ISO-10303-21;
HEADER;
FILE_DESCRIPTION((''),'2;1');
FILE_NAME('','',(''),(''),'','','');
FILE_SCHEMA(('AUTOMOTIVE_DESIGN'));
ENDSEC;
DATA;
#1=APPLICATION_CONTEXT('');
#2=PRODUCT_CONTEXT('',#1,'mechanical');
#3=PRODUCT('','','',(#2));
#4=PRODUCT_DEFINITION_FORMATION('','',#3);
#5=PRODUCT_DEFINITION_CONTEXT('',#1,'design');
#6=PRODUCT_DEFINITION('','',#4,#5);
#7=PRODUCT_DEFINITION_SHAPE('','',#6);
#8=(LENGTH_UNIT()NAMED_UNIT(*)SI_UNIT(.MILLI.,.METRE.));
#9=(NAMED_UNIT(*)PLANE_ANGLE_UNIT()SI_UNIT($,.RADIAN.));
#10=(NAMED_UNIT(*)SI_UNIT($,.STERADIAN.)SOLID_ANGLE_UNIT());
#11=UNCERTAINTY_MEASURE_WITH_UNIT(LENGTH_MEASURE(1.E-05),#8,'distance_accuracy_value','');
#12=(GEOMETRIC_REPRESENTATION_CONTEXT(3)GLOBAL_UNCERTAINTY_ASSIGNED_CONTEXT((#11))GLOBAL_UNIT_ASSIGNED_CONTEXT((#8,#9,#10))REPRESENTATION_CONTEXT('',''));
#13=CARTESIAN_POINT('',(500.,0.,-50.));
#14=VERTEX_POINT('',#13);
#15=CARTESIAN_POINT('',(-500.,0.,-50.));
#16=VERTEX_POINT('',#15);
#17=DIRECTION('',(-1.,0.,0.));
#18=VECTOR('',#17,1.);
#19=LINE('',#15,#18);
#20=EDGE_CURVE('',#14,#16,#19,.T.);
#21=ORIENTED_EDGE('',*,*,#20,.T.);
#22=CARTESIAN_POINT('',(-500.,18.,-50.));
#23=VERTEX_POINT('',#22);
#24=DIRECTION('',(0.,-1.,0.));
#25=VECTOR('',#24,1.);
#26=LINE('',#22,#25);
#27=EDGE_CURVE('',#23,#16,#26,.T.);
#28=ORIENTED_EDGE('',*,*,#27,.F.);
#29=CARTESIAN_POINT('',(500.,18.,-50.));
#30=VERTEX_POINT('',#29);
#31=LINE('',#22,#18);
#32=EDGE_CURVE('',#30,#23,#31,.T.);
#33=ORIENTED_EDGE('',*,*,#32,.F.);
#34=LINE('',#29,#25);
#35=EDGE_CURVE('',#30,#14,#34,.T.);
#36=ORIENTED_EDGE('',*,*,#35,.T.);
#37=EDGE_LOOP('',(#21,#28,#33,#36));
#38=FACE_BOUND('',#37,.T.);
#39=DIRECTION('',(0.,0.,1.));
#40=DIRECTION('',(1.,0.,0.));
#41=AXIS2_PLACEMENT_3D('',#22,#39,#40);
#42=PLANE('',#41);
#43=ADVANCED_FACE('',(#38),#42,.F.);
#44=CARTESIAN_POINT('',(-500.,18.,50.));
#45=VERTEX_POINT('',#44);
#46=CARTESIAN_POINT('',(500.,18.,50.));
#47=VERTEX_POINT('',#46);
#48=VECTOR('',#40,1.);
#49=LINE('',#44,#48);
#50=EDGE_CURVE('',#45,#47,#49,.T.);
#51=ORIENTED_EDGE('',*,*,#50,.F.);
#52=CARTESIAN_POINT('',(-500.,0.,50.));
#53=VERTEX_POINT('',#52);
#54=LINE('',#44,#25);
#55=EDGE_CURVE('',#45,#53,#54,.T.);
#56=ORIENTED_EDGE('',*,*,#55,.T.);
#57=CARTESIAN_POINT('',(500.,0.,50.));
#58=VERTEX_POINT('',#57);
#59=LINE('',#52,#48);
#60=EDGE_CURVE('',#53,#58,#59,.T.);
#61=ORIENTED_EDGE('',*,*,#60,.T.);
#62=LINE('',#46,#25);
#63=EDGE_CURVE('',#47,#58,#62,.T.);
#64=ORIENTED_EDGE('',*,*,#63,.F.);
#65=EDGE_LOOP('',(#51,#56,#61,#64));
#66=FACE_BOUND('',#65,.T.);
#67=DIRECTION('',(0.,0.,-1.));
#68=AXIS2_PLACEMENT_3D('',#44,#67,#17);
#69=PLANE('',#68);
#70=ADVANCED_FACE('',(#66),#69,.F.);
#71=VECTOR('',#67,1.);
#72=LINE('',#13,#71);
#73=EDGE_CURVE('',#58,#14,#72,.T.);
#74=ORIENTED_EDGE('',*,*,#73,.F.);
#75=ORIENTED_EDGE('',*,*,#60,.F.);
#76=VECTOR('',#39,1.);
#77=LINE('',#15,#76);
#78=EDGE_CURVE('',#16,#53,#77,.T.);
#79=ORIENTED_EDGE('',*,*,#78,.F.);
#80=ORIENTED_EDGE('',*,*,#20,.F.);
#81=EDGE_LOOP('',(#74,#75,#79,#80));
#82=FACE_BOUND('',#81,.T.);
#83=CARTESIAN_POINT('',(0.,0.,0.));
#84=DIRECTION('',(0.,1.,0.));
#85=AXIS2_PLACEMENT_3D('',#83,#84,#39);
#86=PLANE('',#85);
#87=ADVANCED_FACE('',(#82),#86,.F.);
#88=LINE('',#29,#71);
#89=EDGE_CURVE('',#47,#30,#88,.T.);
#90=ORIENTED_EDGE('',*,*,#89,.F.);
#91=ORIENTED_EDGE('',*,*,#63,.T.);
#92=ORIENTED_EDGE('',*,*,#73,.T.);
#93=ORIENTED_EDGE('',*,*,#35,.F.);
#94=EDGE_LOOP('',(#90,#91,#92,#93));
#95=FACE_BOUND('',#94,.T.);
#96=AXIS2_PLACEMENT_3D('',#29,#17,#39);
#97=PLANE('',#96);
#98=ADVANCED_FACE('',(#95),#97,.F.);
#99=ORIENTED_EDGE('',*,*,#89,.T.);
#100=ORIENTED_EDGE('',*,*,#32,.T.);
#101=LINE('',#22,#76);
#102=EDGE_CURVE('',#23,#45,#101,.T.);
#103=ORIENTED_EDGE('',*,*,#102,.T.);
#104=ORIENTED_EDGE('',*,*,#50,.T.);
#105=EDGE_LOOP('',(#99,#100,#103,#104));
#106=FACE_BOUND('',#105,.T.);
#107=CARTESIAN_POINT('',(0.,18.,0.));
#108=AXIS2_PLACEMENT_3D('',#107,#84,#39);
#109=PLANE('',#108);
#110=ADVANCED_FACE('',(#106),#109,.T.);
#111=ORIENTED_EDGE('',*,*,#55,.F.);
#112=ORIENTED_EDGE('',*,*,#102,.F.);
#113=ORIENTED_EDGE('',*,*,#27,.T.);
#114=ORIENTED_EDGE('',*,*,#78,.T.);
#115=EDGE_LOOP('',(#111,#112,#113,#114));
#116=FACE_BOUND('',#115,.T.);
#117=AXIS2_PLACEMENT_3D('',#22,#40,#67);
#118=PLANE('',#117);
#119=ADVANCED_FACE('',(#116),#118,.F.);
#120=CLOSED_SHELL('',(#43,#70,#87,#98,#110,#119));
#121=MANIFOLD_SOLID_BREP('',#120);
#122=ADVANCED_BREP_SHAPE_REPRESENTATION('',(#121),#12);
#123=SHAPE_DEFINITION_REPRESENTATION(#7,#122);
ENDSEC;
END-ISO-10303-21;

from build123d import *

# Parameters (mm, degrees)
ESQUISSE1_W        = 1000
ESQUISSE1_H        = 100
BOSS_EXTRU_1_DEPTH = 18


with BuildPart() as part:
    # Esquisse1 → Boss.-Extru.1 (new body)
    with BuildSketch(Plane(origin=(0, 0, 0), x_dir=(1, 0, 0), z_dir=(0, 1, 0))):
        Rectangle(ESQUISSE1_W, ESQUISSE1_H)
    extrude(amount=BOSS_EXTRU_1_DEPTH)


solid = part.part
